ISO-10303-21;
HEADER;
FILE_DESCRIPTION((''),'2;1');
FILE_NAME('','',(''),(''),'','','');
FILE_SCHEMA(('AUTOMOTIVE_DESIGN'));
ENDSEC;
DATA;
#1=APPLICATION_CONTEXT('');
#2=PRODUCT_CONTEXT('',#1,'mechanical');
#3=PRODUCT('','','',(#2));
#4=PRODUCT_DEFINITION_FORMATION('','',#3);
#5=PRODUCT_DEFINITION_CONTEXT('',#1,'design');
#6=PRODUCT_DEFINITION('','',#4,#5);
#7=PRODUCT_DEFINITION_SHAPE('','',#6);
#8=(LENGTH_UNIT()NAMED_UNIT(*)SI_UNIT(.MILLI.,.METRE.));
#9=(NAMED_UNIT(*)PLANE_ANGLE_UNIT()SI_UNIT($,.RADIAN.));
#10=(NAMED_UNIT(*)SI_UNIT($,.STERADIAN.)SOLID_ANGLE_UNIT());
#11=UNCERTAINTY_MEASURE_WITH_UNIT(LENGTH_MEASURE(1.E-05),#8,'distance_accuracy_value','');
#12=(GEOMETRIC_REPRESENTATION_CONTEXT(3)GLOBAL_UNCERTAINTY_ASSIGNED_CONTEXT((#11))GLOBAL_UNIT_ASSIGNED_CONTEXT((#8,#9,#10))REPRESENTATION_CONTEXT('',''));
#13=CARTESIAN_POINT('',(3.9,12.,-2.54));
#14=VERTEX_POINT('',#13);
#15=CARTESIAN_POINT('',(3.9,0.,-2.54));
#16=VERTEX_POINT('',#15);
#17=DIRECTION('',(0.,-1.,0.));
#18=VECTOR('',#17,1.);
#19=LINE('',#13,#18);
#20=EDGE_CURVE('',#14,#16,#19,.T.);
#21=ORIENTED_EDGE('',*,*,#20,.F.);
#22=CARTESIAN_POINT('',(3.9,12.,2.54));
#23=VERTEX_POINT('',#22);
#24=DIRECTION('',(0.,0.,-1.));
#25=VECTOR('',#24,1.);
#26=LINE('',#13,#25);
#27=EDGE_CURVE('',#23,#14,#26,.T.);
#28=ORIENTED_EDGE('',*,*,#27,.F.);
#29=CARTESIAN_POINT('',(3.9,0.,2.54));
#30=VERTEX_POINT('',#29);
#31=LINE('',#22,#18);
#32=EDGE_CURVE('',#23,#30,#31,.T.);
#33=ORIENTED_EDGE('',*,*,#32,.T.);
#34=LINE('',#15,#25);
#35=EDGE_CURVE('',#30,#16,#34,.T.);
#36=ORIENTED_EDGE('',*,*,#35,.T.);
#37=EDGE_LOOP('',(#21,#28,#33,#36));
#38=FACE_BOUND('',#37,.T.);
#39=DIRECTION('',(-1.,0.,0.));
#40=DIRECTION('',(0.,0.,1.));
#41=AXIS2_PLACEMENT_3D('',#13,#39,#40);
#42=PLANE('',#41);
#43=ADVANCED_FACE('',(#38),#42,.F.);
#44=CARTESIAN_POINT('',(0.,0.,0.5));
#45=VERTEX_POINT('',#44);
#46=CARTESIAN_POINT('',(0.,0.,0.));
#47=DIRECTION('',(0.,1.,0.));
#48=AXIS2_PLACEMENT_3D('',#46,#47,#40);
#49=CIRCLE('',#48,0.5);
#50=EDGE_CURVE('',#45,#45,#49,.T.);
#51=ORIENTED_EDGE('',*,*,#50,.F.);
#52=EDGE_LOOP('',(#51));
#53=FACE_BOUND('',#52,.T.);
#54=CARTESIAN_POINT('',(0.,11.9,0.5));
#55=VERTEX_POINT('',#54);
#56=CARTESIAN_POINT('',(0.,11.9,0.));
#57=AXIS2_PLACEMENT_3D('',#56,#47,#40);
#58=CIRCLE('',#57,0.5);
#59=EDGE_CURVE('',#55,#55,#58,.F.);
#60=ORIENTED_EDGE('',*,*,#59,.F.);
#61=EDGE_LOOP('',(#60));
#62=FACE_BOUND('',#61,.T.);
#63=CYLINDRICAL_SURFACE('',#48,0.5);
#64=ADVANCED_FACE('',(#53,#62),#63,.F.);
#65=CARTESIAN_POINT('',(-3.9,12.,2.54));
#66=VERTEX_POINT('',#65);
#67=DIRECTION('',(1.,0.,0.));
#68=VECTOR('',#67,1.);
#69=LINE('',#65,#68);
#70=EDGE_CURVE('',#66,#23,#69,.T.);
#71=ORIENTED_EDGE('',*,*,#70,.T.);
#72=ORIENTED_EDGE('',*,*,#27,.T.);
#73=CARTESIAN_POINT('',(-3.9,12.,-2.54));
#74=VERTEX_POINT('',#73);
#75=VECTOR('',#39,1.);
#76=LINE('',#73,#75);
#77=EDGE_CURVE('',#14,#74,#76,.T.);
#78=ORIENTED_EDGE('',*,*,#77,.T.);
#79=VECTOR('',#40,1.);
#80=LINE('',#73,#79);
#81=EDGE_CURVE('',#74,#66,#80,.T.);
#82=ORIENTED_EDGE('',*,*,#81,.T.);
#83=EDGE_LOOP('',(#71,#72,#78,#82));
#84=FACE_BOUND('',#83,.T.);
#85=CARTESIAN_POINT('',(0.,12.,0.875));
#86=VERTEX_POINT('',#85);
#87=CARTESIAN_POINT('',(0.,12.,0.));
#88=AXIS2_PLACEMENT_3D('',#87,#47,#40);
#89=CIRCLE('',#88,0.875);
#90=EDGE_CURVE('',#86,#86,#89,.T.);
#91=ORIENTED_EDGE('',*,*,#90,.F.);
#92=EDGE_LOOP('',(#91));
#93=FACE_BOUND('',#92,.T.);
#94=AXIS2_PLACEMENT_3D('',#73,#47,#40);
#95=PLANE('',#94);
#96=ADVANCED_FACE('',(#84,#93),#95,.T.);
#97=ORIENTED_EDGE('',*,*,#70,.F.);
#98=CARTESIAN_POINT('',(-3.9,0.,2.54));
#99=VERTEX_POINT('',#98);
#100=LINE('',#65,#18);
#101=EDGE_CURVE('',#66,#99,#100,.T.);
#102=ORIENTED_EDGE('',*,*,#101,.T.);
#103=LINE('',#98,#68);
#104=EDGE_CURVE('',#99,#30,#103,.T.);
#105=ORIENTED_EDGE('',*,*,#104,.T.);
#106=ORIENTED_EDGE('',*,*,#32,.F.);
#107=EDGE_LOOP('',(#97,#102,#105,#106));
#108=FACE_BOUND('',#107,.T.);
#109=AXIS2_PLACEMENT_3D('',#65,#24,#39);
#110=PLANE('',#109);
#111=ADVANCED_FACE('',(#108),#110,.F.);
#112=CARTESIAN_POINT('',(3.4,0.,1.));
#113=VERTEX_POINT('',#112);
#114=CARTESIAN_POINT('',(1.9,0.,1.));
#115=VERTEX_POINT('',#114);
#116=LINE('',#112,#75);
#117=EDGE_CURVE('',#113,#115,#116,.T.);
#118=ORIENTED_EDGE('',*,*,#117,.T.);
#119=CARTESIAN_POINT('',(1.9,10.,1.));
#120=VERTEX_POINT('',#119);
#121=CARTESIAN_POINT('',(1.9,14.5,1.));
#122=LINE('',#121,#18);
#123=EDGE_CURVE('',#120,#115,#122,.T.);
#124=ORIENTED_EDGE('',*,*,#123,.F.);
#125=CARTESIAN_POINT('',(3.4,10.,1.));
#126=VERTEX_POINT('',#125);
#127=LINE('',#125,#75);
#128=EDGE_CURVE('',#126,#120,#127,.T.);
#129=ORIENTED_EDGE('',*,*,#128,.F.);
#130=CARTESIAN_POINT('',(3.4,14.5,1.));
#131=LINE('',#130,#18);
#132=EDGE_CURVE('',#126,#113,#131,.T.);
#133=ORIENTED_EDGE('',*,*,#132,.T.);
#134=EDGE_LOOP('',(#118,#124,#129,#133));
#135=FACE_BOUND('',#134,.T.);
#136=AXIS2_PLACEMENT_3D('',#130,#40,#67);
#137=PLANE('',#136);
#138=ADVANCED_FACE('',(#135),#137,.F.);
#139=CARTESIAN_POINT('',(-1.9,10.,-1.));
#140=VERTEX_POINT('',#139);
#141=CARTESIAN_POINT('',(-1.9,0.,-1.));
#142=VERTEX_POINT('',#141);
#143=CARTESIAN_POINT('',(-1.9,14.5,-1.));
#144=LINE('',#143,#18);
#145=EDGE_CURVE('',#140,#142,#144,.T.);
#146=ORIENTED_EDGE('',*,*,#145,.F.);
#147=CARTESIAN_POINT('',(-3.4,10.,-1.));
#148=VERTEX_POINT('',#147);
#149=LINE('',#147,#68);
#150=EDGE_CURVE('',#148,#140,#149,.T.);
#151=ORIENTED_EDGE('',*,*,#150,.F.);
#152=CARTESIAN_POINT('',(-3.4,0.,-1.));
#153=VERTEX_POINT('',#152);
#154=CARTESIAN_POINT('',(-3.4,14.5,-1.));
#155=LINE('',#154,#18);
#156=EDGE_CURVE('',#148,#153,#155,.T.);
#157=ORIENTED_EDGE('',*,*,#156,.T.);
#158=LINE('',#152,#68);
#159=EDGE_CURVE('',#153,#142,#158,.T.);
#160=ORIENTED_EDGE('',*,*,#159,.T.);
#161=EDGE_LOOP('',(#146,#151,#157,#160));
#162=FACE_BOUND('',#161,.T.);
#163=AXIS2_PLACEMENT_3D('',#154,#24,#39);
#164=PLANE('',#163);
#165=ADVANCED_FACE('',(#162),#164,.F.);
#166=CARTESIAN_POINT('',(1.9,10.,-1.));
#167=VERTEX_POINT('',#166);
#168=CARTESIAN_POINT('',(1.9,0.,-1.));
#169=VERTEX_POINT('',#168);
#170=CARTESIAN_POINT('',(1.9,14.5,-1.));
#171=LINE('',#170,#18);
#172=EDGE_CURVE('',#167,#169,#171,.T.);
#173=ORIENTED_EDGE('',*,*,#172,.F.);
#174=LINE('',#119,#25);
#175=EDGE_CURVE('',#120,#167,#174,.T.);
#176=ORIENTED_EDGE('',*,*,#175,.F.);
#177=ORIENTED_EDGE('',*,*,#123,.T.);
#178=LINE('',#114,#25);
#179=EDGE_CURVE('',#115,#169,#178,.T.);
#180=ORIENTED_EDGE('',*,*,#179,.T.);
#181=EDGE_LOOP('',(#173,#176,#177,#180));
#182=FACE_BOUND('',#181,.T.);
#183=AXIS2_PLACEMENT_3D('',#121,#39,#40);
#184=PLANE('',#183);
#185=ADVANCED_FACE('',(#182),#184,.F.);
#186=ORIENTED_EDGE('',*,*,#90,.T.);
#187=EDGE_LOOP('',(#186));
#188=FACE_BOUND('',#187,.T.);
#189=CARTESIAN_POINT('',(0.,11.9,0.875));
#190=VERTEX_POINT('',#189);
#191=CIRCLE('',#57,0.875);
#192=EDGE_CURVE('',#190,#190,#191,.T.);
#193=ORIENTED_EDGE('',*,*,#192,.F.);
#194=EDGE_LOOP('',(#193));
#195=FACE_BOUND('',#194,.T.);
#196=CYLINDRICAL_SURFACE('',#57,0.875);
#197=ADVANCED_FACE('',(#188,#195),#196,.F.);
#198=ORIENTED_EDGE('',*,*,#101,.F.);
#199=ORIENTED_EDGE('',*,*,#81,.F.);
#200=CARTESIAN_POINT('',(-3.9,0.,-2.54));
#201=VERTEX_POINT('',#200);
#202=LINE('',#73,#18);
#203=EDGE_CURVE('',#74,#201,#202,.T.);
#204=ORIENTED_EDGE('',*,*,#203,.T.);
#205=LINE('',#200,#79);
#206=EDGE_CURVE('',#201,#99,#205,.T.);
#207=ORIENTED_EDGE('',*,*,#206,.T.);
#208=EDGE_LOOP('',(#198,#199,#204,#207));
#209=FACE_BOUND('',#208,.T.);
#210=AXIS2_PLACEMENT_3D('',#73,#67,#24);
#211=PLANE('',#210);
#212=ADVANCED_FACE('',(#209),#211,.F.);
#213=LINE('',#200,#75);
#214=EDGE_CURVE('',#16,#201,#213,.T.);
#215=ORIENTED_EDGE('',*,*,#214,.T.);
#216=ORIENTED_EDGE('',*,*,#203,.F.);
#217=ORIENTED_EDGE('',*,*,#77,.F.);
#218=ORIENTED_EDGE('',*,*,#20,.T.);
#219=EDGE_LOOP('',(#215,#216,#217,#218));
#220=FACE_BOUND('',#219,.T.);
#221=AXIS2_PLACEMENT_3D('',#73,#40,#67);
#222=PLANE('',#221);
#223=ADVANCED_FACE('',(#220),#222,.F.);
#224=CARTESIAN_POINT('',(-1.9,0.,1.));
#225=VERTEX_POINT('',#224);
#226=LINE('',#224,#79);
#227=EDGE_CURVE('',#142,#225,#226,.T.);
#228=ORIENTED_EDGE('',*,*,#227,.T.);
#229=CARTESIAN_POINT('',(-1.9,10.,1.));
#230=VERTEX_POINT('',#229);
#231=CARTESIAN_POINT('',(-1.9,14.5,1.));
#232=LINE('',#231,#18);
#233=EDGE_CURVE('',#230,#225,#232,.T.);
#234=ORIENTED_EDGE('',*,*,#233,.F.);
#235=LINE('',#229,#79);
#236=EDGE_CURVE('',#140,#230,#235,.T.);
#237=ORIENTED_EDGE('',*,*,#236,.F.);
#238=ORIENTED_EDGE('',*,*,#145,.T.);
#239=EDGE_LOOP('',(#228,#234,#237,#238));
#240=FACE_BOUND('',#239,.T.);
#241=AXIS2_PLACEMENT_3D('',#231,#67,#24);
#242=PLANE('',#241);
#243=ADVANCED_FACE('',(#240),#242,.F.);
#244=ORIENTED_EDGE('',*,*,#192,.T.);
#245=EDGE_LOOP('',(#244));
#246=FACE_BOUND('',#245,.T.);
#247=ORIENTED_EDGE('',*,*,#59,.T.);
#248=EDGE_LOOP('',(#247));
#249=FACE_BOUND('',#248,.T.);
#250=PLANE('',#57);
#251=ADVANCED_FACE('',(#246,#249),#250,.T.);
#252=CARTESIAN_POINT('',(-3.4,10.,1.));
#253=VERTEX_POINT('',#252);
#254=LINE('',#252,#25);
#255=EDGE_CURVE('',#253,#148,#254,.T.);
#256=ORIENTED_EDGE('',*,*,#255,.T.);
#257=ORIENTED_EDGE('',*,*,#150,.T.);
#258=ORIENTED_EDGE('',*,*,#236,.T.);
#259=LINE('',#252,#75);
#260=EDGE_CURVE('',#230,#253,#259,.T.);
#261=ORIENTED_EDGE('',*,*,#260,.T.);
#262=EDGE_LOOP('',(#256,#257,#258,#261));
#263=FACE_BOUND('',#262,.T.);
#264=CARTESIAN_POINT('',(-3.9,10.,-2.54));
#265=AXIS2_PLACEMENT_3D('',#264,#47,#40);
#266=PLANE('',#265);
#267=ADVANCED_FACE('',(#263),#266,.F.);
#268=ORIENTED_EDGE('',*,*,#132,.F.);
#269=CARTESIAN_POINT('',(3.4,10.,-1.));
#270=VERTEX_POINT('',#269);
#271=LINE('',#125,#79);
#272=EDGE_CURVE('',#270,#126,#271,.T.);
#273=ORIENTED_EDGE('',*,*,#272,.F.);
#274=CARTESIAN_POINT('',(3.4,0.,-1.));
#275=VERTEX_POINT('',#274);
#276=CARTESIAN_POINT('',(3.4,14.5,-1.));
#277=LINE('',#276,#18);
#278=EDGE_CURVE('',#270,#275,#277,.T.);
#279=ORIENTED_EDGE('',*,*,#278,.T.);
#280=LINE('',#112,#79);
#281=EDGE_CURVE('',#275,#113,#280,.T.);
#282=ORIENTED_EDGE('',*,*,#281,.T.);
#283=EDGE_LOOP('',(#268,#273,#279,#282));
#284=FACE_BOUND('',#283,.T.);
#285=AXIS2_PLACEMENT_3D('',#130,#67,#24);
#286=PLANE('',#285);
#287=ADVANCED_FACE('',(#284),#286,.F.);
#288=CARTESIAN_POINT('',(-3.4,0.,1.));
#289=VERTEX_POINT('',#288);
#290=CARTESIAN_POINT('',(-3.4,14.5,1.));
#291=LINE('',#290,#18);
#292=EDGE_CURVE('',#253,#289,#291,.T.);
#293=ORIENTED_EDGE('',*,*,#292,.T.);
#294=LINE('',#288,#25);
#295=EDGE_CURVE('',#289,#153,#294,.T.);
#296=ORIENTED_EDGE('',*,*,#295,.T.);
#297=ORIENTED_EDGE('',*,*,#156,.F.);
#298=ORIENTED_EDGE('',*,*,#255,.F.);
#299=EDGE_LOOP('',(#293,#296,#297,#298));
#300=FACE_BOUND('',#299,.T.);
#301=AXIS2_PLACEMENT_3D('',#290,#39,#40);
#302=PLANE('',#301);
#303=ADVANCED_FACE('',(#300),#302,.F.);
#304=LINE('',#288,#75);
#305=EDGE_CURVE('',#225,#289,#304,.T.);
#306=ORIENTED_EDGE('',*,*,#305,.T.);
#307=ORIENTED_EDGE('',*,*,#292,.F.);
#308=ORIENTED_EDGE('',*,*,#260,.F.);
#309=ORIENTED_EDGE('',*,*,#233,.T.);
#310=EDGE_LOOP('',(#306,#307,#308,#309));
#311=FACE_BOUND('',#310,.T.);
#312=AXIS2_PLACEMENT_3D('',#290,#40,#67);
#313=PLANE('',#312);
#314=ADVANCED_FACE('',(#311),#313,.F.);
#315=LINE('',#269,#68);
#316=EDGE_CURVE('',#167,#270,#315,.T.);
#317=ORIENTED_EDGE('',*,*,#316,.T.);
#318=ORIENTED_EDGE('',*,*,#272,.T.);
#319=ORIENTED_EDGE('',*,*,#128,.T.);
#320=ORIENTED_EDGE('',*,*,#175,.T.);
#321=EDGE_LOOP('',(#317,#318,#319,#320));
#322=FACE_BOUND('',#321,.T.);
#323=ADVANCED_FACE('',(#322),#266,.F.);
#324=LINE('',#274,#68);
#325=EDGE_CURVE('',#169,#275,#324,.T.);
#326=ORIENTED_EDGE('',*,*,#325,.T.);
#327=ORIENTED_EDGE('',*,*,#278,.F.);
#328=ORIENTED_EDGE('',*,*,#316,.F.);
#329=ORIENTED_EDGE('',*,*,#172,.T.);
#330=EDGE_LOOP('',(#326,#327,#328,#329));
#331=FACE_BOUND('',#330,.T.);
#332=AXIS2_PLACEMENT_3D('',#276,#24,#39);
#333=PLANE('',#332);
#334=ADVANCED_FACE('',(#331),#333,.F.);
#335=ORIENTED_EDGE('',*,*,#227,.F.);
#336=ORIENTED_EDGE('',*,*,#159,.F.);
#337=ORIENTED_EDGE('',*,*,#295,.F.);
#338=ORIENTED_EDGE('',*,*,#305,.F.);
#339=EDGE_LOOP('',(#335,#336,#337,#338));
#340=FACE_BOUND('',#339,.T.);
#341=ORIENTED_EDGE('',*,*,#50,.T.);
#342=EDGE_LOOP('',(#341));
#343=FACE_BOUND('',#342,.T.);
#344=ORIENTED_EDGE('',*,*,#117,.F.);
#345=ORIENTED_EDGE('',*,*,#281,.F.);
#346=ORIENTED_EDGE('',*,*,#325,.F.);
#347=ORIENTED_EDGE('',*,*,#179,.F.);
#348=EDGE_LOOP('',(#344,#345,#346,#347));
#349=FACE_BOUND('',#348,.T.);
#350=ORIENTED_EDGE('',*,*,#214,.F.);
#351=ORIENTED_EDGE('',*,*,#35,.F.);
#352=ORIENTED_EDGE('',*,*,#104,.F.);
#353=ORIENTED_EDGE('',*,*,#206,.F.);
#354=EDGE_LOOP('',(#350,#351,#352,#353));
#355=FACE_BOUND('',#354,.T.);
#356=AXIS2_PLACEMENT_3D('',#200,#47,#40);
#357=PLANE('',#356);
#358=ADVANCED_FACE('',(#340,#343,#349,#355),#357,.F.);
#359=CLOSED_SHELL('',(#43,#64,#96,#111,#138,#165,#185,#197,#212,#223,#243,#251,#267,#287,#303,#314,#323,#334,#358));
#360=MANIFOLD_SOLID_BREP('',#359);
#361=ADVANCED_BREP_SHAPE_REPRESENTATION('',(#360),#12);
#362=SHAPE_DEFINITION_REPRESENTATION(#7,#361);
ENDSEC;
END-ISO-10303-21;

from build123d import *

# Parameters (mm, degrees)
SKETCH_1_W          = 7.8
SKETCH_1_H          = 5.08
EXTRUDE_1_DEPTH     = 12
SKETCH_2_R          = 0.5
CUT_EXTRUDE_1_DEPTH = 12
SKETCH_3_R          = 0.875
CUT_EXTRUDE_2_DEPTH = 0.1
CUT_EXTRUDE_START   = -10
SKETCH_4_W          = 1.5
SKETCH_4_H          = 2
CUT_EXTRUDE_3_DEPTH = 10


with BuildPart() as part:
    # 草图1 → 拉伸1 (new body)
    with BuildSketch(Plane(origin=(0, 0, 0), x_dir=(1, 0, 0), z_dir=(0, 1, 0))):
        Rectangle(SKETCH_1_W, SKETCH_1_H)
    extrude(amount=EXTRUDE_1_DEPTH)

    # 草图2 → 切除-拉伸1 (cut)
    with BuildSketch(Plane(origin=(0, 12, 0), x_dir=(1, 0, 0), z_dir=(0, 1, 0))):
        with Locations(Location((0, 0, 0), (0, 0, 270))):
            Circle(SKETCH_2_R)
    extrude(amount=-CUT_EXTRUDE_1_DEPTH, mode=Mode.SUBTRACT)

    # 草图3 → 切除-拉伸2 (cut)
    with BuildSketch(Plane(origin=(0, 12, 0), x_dir=(1, 0, 0), z_dir=(0, 1, 0))):
        with Locations(Location((0, 0, 0), (0, 0, 270))):
            Circle(SKETCH_3_R)
    extrude(amount=-CUT_EXTRUDE_2_DEPTH, mode=Mode.SUBTRACT)

    # 草图4 → 切除-拉伸3 (cut)
    with BuildSketch(Plane.XZ.offset(CUT_EXTRUDE_START)):
        with Locations((-2.65, 0)):
            Rectangle(SKETCH_4_W, SKETCH_4_H)
        with Locations((2.65, 0)):
            Rectangle(SKETCH_4_W, SKETCH_4_H)
    extrude(amount=CUT_EXTRUDE_3_DEPTH, mode=Mode.SUBTRACT)


solid = part.part
